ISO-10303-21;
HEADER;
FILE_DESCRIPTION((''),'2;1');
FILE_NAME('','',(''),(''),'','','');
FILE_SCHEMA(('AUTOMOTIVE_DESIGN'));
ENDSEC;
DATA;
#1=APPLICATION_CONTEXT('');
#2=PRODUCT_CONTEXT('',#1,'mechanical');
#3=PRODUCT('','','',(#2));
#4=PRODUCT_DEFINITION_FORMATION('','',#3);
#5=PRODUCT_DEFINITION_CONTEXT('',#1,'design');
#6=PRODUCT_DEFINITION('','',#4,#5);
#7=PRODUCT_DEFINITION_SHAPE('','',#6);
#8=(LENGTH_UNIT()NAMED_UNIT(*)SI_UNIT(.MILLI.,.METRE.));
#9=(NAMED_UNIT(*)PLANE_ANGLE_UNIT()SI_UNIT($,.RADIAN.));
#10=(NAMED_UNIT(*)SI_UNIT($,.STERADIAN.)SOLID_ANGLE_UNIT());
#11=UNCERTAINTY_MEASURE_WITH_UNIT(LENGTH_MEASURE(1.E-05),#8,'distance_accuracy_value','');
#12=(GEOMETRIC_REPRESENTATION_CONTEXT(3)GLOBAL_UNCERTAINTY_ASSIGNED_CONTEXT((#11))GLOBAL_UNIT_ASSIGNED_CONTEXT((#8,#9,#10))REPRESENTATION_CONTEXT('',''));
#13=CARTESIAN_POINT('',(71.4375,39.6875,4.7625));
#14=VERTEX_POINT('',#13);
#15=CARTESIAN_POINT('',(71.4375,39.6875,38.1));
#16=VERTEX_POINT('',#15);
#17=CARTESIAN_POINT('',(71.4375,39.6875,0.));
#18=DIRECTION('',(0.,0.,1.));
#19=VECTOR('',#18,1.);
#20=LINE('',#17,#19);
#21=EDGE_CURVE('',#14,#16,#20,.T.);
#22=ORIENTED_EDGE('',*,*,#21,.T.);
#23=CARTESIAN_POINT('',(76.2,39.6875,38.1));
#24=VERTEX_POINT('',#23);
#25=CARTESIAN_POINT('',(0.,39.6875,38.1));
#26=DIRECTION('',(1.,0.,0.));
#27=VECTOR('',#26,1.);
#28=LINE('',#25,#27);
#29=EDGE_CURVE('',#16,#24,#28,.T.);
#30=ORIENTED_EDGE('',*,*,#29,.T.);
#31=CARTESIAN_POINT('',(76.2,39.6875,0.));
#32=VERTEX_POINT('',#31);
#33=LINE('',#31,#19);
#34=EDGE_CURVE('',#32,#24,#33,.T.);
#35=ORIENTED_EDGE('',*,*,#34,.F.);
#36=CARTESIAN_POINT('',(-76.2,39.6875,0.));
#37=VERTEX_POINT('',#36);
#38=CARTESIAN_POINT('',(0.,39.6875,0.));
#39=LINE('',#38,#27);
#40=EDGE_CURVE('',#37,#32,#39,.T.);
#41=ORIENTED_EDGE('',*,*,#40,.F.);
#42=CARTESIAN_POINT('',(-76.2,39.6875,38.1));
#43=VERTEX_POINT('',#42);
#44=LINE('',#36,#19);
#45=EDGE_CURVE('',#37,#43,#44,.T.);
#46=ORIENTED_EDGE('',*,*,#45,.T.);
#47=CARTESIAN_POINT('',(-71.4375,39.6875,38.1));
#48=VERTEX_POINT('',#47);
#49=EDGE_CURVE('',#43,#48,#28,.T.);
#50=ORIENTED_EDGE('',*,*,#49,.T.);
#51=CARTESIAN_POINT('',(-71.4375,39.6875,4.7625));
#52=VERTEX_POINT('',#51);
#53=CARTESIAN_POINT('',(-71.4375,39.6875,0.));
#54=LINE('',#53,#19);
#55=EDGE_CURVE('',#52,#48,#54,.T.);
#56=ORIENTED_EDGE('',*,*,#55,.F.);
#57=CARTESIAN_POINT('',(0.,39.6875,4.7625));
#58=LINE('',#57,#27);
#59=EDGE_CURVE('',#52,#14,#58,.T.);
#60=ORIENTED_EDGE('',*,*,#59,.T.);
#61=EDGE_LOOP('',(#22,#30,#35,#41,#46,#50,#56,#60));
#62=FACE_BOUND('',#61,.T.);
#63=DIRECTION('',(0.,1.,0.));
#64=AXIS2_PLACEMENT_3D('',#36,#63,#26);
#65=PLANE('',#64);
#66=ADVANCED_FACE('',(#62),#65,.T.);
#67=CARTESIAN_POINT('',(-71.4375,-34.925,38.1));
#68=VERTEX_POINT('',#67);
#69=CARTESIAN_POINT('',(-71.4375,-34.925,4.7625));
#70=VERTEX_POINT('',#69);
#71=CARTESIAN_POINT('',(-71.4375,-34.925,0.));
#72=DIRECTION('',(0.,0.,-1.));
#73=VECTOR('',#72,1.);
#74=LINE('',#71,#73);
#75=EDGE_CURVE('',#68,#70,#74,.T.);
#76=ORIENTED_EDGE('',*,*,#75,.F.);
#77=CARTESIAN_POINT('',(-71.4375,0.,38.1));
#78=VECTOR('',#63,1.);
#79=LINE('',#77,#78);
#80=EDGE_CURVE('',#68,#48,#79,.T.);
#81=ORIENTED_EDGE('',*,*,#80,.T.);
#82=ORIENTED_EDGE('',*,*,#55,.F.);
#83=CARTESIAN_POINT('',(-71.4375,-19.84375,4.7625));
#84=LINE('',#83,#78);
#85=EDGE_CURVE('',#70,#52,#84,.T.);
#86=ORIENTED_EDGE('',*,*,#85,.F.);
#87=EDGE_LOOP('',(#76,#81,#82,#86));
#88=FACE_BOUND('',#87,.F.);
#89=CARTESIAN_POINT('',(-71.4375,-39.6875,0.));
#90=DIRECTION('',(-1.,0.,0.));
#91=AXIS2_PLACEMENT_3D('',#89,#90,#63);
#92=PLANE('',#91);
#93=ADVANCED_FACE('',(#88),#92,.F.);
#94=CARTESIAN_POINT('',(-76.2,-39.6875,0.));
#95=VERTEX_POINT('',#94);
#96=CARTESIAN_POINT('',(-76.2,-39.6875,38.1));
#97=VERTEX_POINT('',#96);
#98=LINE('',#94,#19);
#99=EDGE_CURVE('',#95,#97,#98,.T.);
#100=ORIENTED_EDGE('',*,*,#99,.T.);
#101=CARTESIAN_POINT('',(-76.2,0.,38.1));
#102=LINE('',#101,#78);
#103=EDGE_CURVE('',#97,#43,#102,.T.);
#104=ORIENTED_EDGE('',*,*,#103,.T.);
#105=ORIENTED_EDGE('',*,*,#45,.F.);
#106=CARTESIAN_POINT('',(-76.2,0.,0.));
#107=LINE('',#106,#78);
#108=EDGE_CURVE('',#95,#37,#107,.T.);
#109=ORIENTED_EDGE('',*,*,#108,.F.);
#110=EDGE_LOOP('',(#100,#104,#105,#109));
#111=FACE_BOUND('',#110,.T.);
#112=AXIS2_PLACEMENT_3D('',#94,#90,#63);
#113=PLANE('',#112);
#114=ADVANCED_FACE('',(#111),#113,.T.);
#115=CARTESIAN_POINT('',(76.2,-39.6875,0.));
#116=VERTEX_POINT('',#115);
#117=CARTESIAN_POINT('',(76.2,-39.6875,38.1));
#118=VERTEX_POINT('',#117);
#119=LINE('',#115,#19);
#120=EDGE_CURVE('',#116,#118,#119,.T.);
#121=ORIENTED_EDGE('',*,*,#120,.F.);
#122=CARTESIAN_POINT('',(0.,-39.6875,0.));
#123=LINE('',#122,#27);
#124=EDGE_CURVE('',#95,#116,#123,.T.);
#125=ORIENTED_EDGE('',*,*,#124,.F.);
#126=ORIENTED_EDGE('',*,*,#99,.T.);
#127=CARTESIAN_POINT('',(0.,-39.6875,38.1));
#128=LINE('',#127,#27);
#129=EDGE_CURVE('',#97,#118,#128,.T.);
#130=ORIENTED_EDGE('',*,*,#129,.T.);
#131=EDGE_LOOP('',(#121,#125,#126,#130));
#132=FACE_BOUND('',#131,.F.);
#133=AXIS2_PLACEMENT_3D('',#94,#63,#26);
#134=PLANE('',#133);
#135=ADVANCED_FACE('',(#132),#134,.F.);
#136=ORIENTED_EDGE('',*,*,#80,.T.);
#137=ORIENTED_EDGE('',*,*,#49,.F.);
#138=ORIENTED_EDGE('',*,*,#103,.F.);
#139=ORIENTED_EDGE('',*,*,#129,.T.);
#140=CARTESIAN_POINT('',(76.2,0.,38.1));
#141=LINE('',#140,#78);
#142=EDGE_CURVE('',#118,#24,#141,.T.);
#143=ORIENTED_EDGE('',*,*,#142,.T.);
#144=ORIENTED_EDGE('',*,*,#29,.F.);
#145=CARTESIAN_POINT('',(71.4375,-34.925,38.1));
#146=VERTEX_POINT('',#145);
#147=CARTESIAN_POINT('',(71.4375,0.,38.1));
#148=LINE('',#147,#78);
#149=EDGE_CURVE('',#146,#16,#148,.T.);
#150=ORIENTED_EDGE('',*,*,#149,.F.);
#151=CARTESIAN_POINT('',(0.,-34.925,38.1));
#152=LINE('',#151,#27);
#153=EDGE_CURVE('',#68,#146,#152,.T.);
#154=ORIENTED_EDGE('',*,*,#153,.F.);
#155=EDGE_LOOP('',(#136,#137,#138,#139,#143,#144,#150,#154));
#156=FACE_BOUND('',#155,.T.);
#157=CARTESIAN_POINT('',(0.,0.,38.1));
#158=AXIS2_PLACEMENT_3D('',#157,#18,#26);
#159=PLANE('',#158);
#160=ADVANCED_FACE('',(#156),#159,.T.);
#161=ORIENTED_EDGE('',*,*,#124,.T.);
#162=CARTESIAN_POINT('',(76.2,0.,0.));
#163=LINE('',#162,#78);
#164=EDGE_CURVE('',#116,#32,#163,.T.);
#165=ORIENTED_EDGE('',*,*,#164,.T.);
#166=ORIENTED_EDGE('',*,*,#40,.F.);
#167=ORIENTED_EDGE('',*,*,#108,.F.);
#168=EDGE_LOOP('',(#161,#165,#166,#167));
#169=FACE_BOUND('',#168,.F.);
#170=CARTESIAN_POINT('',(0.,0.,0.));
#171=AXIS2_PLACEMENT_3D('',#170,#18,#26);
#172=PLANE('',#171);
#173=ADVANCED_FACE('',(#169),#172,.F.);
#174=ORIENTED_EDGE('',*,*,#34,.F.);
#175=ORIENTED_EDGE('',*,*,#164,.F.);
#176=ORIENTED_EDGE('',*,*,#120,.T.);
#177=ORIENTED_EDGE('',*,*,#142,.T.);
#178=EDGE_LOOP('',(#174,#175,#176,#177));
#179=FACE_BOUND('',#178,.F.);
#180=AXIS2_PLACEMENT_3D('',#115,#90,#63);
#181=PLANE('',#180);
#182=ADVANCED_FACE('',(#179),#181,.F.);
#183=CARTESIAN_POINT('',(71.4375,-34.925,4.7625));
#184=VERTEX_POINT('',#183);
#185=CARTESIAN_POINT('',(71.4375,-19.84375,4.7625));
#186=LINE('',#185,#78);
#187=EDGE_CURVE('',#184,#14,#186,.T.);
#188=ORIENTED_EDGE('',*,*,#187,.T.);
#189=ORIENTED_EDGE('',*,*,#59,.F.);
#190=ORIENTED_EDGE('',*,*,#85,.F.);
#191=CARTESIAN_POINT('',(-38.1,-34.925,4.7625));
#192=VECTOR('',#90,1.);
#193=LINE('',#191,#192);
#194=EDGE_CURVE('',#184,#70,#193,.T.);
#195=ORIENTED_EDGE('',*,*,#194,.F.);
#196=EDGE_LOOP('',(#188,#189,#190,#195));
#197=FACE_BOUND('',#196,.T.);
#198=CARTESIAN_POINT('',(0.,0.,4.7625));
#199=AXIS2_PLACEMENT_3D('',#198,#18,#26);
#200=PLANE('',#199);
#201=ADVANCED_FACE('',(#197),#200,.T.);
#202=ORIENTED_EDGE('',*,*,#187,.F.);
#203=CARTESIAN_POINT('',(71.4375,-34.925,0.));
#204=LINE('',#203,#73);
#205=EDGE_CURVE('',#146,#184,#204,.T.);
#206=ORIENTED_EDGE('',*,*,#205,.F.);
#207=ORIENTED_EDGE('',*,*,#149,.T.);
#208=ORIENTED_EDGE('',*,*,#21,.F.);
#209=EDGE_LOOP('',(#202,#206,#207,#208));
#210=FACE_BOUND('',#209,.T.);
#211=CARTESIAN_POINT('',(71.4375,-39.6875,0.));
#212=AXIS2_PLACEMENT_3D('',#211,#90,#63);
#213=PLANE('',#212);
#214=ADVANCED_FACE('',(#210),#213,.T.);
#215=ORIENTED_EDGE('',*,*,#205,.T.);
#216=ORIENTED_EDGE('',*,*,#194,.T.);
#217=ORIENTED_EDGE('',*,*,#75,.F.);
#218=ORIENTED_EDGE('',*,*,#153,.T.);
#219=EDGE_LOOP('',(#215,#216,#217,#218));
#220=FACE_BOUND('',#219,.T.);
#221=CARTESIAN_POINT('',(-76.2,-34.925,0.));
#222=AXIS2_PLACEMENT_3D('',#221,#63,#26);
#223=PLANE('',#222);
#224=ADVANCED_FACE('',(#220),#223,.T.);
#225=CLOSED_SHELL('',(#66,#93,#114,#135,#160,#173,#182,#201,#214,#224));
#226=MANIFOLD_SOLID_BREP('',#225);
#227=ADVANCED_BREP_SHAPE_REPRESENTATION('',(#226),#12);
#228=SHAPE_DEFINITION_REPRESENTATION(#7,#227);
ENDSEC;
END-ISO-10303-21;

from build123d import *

# Parameters (mm, degrees)
F0_W     = 152.4
F0_H     = 79.375
F1_DEPTH = 38.1
F2_T     = -4.7625


with BuildPart() as f1:
    # F0 (on Top) → F1 (new body)
    with BuildSketch(Plane.XY):
        Rectangle(F0_W, F0_H)
    extrude(amount=F1_DEPTH)

    # F2
    f2_openings = [f1.faces().sort_by_distance(p)[0] for p in [
        (0, 0, 38.1),
        (0, 39.6875, 19.05),
    ]]
    offset(amount=F2_T, openings=f2_openings)


solid = f1.part
